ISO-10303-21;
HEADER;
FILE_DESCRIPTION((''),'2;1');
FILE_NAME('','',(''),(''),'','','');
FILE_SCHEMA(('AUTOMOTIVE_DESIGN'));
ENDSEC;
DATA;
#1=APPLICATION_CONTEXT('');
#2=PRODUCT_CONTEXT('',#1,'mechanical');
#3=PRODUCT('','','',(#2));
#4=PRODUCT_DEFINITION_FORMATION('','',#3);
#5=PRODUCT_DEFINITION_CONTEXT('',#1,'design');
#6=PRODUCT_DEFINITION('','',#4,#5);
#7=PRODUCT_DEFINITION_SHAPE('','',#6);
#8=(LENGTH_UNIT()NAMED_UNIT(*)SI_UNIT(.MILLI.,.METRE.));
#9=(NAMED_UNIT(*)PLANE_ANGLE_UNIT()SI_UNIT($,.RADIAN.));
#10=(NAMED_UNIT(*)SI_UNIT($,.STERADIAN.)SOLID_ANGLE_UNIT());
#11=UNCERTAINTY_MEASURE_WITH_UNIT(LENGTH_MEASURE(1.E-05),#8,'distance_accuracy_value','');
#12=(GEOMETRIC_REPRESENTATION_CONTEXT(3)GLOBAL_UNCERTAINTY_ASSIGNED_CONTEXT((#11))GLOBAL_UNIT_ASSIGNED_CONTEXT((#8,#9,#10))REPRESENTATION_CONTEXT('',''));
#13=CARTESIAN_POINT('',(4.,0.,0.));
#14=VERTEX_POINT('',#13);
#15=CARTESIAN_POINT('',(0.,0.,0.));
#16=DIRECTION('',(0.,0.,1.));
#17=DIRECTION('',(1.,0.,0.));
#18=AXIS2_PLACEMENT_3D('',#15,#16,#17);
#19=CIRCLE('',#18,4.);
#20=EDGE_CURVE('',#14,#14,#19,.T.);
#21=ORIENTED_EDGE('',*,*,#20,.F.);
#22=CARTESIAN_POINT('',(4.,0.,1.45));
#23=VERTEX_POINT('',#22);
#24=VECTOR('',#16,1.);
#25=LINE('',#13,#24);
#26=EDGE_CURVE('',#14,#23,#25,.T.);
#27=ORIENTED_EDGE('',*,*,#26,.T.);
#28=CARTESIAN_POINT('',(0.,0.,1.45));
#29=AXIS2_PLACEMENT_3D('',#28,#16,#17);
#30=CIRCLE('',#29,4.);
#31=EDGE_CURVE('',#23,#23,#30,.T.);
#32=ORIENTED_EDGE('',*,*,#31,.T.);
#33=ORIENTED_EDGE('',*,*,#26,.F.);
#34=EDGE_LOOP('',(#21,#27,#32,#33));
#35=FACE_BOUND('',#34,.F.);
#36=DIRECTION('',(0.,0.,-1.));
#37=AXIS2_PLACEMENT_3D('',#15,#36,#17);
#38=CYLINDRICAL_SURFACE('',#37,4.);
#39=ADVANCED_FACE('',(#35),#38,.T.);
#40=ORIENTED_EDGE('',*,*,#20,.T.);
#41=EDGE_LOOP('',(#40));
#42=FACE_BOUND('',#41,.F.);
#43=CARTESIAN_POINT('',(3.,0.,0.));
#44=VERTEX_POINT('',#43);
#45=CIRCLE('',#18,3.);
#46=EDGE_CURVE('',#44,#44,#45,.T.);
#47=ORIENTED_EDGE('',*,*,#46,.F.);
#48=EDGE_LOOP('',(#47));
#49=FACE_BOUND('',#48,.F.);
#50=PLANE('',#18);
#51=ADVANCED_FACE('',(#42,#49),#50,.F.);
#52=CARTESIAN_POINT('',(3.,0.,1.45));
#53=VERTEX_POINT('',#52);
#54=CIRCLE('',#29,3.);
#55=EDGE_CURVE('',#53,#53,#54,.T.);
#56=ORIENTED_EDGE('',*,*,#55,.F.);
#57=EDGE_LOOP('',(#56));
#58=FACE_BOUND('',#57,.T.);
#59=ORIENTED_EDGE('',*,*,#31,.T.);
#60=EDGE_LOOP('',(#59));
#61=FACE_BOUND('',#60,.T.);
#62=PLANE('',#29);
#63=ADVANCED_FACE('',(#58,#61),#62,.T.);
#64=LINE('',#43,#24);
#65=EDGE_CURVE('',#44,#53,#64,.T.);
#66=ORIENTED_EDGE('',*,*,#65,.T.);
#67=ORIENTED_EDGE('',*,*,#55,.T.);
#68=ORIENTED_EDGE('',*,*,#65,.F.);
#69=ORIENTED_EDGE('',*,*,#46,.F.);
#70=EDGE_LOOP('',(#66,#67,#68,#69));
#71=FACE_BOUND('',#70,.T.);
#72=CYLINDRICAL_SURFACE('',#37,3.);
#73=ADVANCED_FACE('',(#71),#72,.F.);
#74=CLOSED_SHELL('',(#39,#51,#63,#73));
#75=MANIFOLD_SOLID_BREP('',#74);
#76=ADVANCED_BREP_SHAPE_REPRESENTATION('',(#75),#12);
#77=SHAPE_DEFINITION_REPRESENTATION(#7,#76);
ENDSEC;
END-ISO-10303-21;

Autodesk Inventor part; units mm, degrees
ref_plane "YZ Plane" through (0, 0, 0) normal (1, 0, 0) x (0, 1, 0)
ref_plane "XZ Plane" through (0, 0, 0) normal (0, 1, 0) x (-1, 0, 0)
ref_plane "XY Plane" through (0, 0, 0) normal (0, 0, 1) x (1, 0, 0)
sketch "スケッチ1" plane through (0, 0, 0) normal (0, 0, 1) x (1, 0, 0)
  circle A0 centre (0, 0) radius 3
  circle A1 centre (0, 0) radius 4
  dimension "d0" = 6
  dimension "d1" = 8
extrude "押し出し1" add sketch "スケッチ1" along normal blind 1.45
properties part number "オイレス6-8-1.5" material "アセタール樹脂、黒"
